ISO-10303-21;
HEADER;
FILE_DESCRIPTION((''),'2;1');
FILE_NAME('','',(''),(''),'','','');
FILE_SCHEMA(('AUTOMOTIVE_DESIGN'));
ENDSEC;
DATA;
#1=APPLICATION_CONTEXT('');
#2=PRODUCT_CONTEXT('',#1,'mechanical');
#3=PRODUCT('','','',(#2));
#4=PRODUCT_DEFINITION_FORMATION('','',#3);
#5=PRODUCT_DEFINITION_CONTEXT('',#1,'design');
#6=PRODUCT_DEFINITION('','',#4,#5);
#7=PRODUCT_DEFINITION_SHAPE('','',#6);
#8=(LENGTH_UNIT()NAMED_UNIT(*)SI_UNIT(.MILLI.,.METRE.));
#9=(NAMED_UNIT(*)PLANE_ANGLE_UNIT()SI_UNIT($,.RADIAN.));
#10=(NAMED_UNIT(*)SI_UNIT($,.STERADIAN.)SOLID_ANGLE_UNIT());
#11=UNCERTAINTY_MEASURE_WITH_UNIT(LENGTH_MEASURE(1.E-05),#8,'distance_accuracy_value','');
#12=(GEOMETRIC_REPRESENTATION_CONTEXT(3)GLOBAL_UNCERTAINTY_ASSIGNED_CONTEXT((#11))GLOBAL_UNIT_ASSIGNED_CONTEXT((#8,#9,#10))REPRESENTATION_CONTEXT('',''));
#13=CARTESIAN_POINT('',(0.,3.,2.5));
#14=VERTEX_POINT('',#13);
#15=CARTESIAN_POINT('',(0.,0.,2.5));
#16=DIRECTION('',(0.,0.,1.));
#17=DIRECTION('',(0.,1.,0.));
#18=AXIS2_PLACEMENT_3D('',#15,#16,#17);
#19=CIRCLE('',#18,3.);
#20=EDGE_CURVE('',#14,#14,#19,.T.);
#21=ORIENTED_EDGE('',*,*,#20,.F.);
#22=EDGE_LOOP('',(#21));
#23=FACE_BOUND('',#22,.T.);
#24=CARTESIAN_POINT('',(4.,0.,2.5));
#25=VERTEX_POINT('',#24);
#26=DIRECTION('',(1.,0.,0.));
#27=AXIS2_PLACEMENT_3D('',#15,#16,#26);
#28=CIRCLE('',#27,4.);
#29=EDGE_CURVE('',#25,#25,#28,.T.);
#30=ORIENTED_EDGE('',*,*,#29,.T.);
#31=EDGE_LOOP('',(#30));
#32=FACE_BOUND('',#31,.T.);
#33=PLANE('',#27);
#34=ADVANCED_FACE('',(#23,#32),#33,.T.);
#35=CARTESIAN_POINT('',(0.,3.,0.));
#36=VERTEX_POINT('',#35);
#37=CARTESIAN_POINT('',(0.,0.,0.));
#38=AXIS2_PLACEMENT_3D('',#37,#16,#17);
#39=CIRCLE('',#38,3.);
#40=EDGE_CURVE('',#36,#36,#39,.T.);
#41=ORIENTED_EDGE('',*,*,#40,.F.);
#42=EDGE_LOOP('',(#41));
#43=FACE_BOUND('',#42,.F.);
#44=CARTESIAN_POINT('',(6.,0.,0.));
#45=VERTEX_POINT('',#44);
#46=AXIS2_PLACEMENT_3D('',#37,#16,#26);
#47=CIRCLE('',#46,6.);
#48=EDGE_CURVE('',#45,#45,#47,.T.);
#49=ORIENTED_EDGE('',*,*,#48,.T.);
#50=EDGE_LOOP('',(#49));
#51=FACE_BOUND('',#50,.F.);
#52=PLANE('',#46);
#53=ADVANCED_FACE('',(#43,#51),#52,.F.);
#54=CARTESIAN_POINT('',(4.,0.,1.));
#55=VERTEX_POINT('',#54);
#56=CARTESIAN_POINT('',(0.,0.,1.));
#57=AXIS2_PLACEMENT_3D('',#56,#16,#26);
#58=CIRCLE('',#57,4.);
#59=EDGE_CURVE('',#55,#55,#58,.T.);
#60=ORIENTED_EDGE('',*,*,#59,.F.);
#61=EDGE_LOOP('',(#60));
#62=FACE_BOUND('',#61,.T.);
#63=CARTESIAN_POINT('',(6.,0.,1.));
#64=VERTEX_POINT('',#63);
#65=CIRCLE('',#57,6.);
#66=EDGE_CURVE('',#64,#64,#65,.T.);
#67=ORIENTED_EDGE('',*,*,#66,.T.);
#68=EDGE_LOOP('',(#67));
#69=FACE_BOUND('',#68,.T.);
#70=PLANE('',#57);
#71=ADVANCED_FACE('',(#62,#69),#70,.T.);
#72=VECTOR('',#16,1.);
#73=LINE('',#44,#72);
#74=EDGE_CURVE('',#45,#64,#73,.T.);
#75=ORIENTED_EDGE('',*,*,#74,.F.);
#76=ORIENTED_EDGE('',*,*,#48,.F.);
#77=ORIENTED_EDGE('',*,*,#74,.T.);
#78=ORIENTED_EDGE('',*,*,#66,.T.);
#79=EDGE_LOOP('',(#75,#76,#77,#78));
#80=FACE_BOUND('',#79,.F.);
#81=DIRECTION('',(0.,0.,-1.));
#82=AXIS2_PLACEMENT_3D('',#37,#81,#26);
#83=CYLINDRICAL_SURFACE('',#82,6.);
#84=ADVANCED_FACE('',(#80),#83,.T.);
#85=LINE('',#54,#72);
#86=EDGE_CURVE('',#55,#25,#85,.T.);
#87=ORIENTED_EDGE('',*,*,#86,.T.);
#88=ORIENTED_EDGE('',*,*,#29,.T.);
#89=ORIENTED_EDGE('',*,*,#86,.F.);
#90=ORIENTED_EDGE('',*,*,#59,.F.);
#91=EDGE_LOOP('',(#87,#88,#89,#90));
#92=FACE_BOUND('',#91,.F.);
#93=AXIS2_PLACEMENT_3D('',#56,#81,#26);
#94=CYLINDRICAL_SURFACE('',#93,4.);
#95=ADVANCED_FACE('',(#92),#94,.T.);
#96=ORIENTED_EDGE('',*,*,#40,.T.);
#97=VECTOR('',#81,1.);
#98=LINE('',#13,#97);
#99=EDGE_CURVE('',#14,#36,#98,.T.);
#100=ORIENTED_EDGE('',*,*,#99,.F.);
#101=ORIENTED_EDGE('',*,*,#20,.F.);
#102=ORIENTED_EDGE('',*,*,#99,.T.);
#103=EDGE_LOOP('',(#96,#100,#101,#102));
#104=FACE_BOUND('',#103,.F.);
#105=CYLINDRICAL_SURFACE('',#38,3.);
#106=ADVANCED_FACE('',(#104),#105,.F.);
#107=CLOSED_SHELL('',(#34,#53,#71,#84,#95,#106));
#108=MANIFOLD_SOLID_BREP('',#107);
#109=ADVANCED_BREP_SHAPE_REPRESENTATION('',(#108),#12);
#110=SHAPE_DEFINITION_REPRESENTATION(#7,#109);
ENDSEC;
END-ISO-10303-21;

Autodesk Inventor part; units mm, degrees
ref_plane "YZ Plane" through (0, 0, 0) normal (1, 0, 0) x (0, 1, 0)
ref_plane "XZ Plane" through (0, 0, 0) normal (0, 1, 0) x (-1, 0, 0)
ref_plane "XY Plane" through (0, 0, 0) normal (0, 0, 1) x (1, 0, 0)
sketch "スケッチ1" plane through (0, 0, 0) normal (0, 0, 1) x (1, 0, 0)
  circle A0 centre (0, 0) radius 6
  dimension "d0" = 12
extrude "押し出し1" add sketch "スケッチ1" along normal blind 1
sketch "スケッチ2" plane through (0, 0, 1) normal (0, 0, 1) x (1, 0, 0)
  circle A0 centre (0, 0) radius 4
  circle A1 centre (0, 0) radius 3
  dimension "d3" = 8
  dimension "d4" = 6
extrude "押し出し2" add sketch "スケッチ2" along normal blind 1.5
hole "穴1" at (0, 0, 0) direction (0, 0, 1) diameter 6 end through all
properties part number "GFM-0608-025"
